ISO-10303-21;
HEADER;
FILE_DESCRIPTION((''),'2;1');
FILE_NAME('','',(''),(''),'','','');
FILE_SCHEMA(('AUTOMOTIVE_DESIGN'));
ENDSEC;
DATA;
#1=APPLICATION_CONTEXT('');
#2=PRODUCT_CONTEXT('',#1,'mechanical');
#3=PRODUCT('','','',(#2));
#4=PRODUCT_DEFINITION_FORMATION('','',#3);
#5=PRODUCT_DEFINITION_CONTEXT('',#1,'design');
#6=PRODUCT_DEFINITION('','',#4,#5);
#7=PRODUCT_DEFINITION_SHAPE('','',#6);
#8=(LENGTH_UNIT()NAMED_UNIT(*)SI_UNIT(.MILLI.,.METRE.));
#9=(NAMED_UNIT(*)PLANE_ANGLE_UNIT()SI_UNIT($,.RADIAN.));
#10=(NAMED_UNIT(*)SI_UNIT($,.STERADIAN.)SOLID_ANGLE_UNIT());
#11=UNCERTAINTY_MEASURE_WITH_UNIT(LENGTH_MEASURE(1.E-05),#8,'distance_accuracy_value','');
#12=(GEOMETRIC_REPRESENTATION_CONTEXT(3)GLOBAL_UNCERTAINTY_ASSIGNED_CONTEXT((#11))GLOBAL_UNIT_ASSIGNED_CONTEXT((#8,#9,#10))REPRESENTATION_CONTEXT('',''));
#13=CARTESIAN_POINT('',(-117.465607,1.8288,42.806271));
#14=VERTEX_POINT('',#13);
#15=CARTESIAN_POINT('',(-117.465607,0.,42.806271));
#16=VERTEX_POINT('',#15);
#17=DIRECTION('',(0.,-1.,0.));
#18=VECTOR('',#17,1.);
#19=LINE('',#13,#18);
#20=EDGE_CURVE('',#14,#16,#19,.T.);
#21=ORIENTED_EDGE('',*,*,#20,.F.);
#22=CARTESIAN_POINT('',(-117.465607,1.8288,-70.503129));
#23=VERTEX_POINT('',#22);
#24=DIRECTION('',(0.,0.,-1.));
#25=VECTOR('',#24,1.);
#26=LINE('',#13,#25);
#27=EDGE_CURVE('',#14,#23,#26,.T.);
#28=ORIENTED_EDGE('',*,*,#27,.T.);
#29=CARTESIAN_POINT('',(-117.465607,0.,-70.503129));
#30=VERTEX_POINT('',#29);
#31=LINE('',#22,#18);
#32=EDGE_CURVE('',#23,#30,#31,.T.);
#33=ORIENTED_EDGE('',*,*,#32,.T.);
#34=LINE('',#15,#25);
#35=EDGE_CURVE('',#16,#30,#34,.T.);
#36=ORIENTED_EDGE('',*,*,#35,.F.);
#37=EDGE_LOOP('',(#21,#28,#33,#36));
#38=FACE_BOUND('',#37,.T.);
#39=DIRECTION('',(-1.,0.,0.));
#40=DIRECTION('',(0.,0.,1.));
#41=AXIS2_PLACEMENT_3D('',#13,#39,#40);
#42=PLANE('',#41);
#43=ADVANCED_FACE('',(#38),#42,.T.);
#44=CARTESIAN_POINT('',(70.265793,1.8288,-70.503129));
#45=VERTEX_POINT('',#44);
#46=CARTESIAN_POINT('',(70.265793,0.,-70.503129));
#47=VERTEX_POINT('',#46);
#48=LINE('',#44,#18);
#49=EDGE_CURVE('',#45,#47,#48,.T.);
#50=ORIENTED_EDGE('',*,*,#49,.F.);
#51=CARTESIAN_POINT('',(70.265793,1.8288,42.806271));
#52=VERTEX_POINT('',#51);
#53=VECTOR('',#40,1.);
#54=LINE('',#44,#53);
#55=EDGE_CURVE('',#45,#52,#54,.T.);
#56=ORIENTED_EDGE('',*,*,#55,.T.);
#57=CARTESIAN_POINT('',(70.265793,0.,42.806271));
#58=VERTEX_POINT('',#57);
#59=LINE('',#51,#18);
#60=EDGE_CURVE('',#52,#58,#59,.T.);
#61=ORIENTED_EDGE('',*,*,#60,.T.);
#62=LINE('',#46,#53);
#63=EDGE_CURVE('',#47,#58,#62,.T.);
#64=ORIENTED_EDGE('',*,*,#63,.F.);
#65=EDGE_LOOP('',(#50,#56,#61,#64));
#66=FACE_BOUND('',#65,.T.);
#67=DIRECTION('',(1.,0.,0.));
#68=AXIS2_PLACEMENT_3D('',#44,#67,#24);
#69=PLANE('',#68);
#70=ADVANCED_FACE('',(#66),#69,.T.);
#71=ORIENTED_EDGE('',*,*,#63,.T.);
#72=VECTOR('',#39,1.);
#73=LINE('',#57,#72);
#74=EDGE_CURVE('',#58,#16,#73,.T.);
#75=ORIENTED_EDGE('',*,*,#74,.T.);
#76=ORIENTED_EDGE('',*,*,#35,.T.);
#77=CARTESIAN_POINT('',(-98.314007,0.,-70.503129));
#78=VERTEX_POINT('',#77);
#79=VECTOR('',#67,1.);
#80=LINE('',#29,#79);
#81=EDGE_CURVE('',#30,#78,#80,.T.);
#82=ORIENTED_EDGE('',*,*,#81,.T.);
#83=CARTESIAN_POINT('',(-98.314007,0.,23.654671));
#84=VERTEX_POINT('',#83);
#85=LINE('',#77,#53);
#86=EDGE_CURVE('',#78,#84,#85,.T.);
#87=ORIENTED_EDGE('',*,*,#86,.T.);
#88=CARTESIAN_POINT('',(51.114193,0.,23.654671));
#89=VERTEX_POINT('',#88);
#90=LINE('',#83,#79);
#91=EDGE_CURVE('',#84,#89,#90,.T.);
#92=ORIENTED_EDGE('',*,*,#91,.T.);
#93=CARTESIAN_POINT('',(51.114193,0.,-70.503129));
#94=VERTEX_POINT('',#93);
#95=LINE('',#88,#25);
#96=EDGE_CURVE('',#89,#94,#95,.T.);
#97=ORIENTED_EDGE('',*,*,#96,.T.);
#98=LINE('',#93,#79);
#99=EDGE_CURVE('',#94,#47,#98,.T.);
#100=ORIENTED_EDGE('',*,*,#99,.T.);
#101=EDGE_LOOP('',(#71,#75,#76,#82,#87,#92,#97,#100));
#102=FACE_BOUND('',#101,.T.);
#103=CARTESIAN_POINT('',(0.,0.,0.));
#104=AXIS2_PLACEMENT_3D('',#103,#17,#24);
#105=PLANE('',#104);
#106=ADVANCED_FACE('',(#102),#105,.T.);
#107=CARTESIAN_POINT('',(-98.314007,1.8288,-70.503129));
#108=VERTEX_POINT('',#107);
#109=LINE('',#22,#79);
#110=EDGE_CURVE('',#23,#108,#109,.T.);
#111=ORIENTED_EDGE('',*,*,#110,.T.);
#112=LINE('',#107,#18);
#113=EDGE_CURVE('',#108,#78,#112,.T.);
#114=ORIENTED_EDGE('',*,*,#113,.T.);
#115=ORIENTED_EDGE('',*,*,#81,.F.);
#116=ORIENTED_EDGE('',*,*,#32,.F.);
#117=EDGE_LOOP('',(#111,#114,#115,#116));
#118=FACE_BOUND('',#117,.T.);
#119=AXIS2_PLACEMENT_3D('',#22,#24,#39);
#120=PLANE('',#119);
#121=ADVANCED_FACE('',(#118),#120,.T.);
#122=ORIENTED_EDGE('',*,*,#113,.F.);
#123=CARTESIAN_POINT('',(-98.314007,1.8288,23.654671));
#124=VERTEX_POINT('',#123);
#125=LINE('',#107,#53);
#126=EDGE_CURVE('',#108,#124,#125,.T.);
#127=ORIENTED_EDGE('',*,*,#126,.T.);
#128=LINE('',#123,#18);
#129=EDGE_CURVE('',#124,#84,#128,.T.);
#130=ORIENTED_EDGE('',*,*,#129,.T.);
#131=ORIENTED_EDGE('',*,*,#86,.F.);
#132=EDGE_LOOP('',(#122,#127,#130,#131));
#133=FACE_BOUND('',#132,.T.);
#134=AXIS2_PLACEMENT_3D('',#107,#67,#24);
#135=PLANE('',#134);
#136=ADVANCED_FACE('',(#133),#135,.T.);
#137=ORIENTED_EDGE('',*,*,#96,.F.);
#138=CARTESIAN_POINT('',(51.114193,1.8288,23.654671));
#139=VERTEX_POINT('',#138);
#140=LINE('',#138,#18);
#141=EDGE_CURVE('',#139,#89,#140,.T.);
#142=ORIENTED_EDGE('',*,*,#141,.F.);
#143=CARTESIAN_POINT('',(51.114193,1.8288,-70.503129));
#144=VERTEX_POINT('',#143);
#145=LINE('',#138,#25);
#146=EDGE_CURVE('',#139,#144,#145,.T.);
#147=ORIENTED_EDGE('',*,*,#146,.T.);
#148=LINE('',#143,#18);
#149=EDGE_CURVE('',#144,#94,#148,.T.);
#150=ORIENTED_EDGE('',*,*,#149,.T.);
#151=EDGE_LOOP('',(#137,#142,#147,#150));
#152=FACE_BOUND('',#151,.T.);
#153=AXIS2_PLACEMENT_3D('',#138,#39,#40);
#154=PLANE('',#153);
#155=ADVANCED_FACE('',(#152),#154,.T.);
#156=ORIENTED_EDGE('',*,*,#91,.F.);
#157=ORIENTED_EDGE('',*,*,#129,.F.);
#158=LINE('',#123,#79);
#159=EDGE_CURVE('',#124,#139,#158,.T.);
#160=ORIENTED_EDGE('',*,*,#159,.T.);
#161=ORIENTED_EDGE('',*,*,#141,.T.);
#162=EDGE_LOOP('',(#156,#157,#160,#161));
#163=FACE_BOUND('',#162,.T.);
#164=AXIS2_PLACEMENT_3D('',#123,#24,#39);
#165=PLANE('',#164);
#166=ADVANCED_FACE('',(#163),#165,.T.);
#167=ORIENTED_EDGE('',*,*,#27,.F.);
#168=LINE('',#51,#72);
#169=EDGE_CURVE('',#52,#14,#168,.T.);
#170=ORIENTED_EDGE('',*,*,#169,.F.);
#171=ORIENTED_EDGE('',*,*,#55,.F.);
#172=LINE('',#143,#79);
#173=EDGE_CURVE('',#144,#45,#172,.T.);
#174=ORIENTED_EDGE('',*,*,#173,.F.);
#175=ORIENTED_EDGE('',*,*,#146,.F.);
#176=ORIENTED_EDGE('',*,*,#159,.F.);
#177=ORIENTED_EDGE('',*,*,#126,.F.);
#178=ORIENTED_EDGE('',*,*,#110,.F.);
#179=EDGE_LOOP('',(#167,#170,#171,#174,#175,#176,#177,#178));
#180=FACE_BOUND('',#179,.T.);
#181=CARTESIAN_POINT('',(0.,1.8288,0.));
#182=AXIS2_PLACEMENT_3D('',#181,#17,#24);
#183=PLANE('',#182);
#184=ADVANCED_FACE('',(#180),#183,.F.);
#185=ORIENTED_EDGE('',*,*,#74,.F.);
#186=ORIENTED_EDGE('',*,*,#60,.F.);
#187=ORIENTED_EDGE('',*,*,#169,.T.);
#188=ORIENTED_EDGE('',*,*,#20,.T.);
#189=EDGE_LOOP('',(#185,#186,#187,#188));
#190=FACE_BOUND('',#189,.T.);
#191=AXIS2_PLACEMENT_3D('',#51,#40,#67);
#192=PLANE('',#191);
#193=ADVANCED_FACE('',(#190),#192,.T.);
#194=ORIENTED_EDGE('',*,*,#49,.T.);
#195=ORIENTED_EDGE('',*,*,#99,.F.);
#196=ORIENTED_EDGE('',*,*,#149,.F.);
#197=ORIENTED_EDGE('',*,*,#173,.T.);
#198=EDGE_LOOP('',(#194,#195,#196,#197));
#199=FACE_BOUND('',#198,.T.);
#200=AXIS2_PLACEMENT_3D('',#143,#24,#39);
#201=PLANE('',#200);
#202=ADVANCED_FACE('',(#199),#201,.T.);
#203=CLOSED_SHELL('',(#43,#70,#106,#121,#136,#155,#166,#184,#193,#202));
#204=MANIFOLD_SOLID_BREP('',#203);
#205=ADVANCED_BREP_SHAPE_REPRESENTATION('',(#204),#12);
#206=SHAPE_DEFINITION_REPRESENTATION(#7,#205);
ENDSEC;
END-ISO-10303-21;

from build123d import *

# Parameters (mm, degrees)
BOSS_EXTRUDE1_DEPTH = 1.8288


with BuildPart() as part:
    # Sketch1 → Boss-Extrude1 (new body)
    with BuildSketch(Plane(origin=(0, 0, 0), x_dir=(1, 0, 0), z_dir=(0, 1, 0))):
        Polygon((51.114193491, 70.503129438), (70.265793491, 70.503129438), (70.265793491, -42.806270562), (-117.465606509, -42.806270562), (-117.465606509, 70.503129438), (-98.314006509, 70.503129438), (-98.314006509, -23.654670562), (51.114193491, -23.654670562), align=None)
    extrude(amount=BOSS_EXTRUDE1_DEPTH)


solid = part.part
